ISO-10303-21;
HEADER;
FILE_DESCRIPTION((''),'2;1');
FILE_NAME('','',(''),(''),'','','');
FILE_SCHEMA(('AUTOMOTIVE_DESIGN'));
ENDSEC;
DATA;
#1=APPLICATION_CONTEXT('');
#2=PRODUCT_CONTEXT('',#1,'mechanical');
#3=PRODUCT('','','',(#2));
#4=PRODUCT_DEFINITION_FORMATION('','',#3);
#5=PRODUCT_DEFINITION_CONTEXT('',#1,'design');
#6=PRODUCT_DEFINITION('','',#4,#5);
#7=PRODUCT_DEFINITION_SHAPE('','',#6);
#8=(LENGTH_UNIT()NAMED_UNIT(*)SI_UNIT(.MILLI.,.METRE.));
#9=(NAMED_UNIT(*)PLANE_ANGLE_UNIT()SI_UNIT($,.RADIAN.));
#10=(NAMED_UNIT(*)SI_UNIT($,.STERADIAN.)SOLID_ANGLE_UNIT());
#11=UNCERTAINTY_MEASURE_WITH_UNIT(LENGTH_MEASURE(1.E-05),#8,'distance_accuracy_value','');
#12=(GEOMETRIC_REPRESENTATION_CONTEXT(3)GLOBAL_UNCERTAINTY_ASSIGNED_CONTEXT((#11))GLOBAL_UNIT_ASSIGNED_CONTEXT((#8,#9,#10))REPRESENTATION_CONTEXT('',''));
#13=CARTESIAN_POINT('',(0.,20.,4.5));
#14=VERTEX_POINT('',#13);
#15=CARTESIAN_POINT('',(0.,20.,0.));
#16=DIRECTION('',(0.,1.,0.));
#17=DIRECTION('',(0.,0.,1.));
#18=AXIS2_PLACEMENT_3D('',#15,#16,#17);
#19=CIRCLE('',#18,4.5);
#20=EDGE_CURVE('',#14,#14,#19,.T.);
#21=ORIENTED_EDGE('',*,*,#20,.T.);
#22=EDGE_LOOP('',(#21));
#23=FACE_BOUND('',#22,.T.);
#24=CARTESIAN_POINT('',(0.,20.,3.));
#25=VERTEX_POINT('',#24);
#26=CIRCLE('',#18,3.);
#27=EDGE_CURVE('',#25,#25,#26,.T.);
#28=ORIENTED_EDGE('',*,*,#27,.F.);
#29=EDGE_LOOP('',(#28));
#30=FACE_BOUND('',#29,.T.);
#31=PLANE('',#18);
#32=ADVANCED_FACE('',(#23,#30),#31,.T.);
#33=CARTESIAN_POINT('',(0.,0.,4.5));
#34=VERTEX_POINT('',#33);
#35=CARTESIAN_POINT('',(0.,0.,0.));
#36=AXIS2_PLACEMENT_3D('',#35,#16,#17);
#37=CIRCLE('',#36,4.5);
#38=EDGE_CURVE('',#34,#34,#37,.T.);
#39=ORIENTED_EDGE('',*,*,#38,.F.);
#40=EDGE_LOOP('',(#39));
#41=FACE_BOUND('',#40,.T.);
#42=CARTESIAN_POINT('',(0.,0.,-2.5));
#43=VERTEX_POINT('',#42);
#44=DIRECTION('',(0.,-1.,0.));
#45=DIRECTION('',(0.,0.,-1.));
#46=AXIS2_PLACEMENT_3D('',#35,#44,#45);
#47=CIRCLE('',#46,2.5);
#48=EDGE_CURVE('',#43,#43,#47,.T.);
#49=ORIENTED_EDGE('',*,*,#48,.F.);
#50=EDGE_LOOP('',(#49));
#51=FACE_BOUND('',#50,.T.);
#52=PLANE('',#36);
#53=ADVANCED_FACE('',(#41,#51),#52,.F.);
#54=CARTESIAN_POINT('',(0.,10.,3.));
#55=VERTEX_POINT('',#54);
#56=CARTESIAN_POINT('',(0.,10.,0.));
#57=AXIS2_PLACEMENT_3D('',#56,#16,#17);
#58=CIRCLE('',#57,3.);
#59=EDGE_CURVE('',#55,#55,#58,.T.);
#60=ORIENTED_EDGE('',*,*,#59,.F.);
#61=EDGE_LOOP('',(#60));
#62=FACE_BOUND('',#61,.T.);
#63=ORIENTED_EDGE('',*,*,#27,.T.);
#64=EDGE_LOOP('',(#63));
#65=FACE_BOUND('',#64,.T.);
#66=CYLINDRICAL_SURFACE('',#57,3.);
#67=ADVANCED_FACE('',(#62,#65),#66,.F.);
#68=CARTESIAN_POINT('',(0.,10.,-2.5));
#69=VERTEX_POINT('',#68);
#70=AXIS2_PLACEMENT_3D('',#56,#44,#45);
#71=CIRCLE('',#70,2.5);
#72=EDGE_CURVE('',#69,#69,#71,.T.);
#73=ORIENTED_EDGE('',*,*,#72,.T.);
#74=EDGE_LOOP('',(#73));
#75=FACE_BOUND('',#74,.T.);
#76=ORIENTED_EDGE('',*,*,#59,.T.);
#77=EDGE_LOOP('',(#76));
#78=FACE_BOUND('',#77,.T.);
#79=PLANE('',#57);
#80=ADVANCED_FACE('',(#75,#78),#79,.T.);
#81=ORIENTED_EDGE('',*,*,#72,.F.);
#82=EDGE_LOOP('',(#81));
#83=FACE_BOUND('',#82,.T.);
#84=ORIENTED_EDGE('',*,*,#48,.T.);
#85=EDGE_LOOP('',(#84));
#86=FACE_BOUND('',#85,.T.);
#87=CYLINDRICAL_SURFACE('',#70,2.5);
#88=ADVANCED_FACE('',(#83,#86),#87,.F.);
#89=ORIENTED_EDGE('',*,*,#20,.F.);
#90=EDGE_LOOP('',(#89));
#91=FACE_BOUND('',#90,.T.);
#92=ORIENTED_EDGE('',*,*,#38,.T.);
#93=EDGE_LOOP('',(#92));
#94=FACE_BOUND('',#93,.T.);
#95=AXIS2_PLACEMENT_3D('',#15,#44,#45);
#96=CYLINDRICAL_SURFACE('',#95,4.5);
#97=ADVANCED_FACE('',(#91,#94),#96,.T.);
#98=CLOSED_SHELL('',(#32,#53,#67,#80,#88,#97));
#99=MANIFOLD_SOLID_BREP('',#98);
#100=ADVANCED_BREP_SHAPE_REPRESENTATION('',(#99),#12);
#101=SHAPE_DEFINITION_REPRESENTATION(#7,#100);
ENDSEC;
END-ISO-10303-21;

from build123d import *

# Parameters (mm, degrees)
SKETCH2_R           = 4.5
BOSS_EXTRUDE1_DEPTH = 20
SKETCH3_R           = 3
CUT_EXTRUDE1_DEPTH  = 10
SKETCH4_R           = 2.5
CUT_EXTRUDE2_DEPTH  = 10


with BuildPart() as part:
    # Sketch2 → Boss-Extrude1 (new body)
    with BuildSketch(Plane(origin=(0, 0, 0), x_dir=(1, 0, 0), z_dir=(0, 1, 0))):
        Circle(SKETCH2_R)
    extrude(amount=BOSS_EXTRUDE1_DEPTH)

    # Sketch3 → Cut-Extrude1 (cut)
    with BuildSketch(Plane(origin=(0, 20, 0), x_dir=(1, 0, 0), z_dir=(0, 1, 0))):
        Circle(SKETCH3_R)
    extrude(amount=-CUT_EXTRUDE1_DEPTH, mode=Mode.SUBTRACT)

    # Sketch4 → Cut-Extrude2 (cut)
    with BuildSketch(Plane.XZ):
        Circle(SKETCH4_R)
    extrude(amount=-CUT_EXTRUDE2_DEPTH, mode=Mode.SUBTRACT)


solid = part.part
